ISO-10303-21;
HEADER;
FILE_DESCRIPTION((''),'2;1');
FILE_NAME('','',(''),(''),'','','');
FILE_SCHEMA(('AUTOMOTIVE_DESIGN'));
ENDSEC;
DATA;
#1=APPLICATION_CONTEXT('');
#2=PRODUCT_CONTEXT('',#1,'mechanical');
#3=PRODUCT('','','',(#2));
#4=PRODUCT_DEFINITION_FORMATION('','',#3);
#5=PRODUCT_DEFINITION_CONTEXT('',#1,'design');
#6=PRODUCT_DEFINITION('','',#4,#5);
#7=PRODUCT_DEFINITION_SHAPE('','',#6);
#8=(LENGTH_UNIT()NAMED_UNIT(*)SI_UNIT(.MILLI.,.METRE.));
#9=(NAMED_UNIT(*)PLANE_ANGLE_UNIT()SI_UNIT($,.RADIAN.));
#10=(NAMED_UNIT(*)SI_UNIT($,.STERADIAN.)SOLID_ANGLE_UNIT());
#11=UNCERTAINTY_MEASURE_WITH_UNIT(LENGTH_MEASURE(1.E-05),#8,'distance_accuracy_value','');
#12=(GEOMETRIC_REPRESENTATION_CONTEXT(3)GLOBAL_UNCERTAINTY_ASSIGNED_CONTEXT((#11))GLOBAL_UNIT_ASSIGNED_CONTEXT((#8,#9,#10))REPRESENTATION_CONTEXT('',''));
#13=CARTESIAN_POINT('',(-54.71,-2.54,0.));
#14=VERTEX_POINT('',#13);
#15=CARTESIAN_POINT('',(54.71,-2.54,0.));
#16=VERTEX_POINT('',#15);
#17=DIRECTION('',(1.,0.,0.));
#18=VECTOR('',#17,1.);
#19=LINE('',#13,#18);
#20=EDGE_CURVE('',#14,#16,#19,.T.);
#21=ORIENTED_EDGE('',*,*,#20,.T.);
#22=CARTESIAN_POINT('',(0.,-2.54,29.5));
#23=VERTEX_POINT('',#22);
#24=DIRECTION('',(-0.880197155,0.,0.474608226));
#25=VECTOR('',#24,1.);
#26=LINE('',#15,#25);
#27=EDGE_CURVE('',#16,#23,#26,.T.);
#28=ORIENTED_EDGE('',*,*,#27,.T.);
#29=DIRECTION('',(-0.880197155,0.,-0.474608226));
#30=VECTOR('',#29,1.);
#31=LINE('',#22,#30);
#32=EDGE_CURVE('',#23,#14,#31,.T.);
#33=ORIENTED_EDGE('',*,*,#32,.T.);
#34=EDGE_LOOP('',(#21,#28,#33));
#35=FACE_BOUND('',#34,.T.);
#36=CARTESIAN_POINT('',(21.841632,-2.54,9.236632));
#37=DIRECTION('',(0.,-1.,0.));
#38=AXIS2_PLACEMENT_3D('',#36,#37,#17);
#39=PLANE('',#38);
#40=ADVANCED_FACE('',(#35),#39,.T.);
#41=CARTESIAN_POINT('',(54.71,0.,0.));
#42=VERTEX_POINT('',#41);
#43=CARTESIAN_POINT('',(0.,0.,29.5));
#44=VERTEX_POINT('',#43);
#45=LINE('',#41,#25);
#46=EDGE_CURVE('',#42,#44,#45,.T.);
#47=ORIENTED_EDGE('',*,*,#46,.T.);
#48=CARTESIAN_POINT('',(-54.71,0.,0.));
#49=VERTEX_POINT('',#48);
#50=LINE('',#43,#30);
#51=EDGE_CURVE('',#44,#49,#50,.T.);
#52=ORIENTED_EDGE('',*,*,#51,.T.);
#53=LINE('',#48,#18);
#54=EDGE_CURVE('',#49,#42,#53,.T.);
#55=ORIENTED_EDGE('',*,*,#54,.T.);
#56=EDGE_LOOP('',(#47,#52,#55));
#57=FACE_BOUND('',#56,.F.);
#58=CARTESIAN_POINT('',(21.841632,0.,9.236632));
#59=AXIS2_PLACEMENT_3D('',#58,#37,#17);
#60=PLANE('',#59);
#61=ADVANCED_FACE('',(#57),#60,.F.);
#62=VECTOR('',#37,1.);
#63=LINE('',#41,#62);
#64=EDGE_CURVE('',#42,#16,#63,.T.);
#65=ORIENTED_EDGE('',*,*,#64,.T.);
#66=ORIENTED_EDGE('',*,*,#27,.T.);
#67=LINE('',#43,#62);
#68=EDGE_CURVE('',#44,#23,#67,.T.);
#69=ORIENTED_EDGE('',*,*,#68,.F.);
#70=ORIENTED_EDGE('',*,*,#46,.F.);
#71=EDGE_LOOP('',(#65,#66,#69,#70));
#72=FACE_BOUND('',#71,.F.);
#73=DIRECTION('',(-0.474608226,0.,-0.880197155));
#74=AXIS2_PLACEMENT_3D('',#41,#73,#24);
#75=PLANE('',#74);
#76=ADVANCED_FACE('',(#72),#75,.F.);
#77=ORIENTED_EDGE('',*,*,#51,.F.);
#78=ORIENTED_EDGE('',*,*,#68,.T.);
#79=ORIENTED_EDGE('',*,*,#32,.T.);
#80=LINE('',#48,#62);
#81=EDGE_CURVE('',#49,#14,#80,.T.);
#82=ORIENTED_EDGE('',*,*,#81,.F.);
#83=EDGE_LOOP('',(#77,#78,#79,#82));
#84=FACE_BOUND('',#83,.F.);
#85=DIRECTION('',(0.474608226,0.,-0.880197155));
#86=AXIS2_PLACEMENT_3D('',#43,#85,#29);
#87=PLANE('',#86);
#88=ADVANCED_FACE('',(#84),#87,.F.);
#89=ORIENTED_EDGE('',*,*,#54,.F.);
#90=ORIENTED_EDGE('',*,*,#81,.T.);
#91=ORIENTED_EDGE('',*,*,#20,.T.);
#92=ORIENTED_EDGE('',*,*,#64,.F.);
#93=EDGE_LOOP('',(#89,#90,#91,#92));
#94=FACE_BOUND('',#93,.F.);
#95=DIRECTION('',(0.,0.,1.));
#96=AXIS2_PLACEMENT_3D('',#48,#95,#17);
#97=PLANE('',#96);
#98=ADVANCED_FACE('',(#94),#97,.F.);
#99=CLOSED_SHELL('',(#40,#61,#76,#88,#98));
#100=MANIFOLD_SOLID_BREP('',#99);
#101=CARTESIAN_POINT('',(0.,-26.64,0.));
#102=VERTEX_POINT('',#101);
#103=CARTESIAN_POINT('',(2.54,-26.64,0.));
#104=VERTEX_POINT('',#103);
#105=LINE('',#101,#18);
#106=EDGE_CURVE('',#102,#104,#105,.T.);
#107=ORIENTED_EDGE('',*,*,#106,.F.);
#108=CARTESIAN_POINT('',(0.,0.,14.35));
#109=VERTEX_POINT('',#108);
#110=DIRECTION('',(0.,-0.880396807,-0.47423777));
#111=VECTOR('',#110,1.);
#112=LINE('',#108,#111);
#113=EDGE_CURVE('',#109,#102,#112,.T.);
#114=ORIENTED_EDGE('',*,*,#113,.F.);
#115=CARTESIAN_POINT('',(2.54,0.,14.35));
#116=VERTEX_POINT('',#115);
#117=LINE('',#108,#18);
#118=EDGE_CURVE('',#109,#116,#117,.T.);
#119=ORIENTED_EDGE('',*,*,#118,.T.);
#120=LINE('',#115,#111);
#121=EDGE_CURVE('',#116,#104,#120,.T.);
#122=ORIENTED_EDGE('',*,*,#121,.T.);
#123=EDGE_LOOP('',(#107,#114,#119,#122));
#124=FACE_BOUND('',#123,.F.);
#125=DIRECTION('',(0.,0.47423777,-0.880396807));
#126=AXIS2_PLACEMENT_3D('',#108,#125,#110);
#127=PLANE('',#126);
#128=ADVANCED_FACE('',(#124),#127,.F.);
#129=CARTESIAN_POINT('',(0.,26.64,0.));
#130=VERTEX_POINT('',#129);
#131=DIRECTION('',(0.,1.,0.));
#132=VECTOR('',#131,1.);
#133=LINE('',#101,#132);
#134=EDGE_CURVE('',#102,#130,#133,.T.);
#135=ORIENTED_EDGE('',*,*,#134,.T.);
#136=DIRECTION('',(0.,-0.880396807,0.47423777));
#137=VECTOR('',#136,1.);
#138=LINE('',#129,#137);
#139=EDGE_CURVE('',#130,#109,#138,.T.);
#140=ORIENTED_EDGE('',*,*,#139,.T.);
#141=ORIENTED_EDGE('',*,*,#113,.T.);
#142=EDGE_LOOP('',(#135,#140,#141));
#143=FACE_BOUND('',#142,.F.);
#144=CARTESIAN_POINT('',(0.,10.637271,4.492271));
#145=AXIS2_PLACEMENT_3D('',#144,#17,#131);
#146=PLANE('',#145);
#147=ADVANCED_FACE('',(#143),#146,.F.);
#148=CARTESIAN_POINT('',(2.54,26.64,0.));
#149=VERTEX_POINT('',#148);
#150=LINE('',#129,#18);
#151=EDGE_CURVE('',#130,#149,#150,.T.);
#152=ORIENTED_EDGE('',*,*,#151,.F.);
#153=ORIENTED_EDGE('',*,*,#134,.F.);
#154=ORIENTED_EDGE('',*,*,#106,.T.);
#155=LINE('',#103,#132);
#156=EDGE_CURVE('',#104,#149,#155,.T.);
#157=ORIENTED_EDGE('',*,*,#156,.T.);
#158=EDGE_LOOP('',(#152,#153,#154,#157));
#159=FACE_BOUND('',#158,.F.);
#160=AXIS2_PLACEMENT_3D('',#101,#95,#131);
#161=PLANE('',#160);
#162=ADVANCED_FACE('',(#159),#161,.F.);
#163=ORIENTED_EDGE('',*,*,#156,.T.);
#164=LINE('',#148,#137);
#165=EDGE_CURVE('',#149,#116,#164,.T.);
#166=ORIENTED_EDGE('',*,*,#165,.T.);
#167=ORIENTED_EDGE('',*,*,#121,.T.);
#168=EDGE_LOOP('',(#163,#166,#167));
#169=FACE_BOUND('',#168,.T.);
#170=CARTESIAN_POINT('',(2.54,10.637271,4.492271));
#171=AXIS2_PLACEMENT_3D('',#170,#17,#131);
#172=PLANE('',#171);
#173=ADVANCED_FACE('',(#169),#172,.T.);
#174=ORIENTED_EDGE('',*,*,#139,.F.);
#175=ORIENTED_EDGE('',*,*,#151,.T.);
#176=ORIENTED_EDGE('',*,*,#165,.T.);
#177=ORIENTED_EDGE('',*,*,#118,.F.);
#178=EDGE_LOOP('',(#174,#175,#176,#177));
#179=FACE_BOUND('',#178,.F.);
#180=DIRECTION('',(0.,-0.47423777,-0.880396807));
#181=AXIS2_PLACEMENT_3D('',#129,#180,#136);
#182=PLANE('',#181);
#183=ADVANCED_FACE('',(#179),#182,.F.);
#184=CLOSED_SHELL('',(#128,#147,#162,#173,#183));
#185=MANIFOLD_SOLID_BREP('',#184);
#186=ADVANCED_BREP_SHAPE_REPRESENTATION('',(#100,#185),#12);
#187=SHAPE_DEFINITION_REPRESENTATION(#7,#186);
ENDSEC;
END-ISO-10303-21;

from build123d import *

# Parameters (mm, degrees)
F2_DEPTH = 2.54
F3_DEPTH = 2.54


with BuildPart() as f2:
    # F0 (on Front) → F2 (new body)
    with BuildSketch(Plane.XZ):
        Polygon((0, 29.5), (0, 0), (54.71, 0), align=None)
        Polygon((-54.71, 0), (0, 0), (0, 29.5), align=None)
    extrude(amount=F2_DEPTH)


with BuildPart() as f3:
    # F1 (on Right) → F3 (new body)
    with BuildSketch(Plane.YZ):
        Polygon((26.64, 0), (0, 14.35), (0, 0), align=None)
        Polygon((0, 0), (0, 14.35), (-26.64, 0), align=None)
    extrude(amount=F3_DEPTH)


solid = Compound([f2.part, f3.part])
